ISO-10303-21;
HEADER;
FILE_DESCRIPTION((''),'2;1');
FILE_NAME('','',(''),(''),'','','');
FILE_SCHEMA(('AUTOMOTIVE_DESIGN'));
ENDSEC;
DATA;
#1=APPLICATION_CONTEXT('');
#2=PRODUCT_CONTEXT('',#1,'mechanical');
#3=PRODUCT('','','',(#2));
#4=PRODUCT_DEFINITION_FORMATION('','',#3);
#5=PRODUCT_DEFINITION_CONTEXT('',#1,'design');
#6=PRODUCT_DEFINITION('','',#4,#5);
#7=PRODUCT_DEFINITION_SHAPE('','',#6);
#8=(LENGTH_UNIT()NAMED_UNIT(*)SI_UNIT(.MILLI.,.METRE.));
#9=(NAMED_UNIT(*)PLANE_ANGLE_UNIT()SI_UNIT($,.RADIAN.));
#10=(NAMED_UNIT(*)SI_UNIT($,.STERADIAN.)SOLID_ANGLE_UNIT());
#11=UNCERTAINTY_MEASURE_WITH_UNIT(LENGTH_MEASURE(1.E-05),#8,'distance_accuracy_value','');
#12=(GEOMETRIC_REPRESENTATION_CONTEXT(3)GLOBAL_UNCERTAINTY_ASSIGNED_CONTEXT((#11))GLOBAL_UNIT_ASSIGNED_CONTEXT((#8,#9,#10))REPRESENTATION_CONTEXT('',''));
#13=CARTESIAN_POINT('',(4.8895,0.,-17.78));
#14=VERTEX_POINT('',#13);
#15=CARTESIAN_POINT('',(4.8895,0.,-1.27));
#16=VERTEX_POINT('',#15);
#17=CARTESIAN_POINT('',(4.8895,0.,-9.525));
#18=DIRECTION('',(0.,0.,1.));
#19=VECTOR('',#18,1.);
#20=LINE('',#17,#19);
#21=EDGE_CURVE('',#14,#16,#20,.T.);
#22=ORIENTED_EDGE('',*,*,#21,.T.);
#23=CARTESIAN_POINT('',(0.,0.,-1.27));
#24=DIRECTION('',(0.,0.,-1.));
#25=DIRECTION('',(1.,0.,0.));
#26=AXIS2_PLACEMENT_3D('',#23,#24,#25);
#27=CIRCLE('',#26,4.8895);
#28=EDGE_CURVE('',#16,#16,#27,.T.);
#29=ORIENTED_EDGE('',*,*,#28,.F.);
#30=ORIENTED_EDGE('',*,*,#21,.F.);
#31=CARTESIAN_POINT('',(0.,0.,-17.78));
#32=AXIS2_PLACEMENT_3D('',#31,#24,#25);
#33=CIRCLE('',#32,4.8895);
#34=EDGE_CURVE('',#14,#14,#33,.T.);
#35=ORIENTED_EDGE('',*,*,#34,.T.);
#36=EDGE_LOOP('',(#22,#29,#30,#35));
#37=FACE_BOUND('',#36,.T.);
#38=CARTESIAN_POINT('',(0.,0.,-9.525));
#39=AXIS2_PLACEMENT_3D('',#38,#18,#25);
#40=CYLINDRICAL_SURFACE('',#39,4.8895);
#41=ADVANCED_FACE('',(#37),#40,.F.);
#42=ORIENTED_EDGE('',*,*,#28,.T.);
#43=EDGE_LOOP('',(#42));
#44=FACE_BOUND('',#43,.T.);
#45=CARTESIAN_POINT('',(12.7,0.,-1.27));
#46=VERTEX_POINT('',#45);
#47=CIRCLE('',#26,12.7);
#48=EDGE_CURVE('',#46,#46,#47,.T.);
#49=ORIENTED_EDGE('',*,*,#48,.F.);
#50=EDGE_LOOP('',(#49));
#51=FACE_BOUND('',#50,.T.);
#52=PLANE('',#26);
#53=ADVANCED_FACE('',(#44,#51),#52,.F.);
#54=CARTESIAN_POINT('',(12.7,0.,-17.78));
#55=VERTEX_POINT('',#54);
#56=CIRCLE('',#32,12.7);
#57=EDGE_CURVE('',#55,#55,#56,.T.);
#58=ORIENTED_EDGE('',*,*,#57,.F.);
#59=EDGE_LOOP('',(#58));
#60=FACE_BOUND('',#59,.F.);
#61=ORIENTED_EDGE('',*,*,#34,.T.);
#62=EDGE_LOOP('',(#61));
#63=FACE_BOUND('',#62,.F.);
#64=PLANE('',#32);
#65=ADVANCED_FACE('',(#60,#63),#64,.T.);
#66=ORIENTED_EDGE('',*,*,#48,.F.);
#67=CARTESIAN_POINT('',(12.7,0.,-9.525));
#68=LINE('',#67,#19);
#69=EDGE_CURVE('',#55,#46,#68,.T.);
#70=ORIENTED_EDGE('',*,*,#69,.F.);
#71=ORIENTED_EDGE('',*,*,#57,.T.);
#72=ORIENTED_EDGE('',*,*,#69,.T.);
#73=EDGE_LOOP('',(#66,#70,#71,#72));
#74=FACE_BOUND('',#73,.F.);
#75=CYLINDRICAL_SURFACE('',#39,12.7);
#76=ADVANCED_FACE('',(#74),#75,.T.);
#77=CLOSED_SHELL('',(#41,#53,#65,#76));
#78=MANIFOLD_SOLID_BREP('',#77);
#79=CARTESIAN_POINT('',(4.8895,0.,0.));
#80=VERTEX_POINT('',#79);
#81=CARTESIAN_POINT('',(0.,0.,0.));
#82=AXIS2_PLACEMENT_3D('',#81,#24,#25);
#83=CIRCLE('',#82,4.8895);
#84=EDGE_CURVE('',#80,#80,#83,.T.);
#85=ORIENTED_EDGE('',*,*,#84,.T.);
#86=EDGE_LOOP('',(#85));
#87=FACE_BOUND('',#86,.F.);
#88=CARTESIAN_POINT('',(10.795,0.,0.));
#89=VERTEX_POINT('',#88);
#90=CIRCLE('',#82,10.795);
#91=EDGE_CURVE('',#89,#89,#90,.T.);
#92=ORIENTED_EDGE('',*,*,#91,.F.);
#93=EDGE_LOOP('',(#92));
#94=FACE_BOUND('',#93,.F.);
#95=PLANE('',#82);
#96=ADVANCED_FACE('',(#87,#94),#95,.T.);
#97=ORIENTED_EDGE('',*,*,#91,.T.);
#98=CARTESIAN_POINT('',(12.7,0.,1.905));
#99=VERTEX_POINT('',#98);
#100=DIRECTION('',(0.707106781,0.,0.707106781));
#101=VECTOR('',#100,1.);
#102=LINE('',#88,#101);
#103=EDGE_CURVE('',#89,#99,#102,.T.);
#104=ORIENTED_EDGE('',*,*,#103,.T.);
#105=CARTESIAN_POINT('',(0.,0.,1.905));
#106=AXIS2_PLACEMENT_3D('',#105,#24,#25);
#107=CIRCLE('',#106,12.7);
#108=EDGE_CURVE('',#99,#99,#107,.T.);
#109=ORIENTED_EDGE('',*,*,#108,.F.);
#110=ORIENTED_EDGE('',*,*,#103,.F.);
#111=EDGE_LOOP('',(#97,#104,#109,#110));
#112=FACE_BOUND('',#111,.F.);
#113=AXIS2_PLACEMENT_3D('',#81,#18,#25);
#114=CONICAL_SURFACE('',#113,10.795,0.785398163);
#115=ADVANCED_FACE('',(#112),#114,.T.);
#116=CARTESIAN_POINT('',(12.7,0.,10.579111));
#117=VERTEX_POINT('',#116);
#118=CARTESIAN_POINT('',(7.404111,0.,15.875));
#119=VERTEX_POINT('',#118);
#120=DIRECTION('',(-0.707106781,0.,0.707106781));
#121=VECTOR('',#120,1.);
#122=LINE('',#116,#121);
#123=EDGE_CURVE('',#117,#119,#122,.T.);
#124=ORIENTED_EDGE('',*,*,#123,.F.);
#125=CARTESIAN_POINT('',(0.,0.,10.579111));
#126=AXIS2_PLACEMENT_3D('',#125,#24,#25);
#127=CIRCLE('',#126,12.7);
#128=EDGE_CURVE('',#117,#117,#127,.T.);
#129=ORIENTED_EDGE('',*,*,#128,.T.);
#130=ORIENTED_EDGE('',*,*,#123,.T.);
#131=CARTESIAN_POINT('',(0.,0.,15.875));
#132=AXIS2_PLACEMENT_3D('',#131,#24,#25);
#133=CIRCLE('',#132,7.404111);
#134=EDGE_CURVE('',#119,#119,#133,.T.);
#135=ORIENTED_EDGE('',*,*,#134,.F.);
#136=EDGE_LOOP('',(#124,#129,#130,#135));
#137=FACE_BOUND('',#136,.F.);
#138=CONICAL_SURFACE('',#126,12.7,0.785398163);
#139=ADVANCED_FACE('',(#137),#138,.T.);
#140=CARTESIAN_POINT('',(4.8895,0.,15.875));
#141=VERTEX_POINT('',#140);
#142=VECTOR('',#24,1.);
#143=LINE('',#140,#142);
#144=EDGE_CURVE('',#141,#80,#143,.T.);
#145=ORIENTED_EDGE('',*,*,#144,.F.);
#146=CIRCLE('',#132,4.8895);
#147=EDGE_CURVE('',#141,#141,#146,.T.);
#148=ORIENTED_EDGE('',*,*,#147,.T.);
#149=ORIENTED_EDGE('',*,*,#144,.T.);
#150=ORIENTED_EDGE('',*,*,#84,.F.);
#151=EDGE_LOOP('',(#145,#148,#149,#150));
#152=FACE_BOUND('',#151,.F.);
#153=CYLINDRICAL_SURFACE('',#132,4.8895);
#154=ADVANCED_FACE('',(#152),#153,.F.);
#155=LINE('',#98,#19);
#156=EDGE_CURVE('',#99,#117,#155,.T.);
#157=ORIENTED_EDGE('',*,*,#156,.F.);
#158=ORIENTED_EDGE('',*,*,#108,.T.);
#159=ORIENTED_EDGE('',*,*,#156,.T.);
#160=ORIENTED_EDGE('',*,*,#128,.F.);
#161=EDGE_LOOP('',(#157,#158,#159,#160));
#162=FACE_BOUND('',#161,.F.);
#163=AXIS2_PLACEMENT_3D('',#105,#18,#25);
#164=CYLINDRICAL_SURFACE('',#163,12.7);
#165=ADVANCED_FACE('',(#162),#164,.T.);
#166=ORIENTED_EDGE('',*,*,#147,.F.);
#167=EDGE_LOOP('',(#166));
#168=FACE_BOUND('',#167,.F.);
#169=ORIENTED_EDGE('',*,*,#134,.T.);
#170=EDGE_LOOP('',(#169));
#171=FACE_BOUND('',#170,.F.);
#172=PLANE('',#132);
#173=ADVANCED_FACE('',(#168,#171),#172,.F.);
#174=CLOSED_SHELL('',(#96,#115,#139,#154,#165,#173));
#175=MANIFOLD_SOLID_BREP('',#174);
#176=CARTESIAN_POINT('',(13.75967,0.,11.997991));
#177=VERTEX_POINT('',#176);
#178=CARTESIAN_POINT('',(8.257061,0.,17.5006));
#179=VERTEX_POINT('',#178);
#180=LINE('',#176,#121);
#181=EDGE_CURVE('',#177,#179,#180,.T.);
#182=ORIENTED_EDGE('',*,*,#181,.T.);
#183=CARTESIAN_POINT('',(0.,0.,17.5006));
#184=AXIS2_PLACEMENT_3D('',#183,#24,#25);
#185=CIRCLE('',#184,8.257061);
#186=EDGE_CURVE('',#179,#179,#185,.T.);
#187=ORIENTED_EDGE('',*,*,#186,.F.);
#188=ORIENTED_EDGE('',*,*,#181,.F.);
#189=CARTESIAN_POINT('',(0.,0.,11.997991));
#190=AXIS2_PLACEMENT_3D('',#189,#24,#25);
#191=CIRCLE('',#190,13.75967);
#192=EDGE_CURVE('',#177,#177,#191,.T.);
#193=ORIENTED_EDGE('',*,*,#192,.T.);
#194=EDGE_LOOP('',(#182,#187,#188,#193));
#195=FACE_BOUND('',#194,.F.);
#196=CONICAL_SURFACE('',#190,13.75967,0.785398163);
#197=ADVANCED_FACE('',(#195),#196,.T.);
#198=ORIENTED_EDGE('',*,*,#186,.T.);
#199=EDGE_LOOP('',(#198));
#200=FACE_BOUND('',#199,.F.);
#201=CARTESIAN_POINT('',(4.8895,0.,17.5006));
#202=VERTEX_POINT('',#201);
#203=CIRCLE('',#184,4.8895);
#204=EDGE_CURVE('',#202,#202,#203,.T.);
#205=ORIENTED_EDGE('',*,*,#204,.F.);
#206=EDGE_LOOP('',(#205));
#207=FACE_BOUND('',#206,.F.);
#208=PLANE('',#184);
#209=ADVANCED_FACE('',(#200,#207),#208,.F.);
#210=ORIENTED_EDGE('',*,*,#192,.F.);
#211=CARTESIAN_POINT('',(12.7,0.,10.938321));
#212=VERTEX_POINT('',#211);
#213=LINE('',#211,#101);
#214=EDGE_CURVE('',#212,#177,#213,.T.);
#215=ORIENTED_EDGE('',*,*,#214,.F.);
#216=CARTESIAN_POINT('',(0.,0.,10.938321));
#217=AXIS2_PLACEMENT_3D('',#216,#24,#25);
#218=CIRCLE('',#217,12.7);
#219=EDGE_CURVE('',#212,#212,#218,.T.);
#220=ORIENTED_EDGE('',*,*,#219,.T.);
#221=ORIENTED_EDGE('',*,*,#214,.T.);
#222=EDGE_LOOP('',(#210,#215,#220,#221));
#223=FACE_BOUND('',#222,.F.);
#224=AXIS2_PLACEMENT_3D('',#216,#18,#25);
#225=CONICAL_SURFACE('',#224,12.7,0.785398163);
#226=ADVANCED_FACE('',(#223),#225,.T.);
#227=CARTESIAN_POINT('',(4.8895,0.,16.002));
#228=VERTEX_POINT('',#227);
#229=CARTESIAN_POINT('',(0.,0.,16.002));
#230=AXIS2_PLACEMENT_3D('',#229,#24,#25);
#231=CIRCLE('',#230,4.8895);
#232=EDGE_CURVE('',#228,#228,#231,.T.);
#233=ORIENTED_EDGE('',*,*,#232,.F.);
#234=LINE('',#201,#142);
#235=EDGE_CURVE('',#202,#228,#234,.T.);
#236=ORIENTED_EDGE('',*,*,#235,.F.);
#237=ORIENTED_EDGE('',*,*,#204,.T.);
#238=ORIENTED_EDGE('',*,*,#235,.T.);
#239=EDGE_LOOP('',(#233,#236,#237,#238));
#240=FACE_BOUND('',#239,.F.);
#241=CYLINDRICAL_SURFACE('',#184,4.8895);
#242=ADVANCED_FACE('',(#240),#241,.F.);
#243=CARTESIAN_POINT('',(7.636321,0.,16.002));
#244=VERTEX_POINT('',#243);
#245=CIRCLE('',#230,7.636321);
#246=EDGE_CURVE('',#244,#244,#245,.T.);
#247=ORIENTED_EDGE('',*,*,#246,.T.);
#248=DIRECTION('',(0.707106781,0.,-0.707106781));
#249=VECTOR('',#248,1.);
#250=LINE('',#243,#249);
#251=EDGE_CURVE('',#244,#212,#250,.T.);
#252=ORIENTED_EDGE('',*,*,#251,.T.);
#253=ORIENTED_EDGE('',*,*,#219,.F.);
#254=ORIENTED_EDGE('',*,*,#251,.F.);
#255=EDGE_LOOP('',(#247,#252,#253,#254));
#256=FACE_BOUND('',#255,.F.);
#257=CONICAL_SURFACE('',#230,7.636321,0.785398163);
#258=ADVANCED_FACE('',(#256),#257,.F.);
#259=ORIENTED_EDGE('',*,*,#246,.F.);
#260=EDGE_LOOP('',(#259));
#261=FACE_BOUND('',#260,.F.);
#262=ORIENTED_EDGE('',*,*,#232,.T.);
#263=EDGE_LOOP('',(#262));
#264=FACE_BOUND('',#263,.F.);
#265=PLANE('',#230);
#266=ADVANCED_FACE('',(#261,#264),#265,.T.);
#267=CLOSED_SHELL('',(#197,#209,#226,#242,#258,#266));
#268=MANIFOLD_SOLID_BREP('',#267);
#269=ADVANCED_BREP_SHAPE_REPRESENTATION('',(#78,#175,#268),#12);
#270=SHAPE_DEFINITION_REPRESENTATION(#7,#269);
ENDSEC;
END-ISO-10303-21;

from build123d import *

# Parameters (mm, degrees)
F0_W = 7.8105
F0_H = 16.51


with BuildPart() as f1:
    # F0 (on Front) → F1 (revolve)
    with BuildSketch(Plane.XZ):
        with Locations((8.79475, -9.525)):
            Rectangle(F0_W, F0_H)
        Polygon((4.8895, 0), (10.795, 0), (12.7, 1.905), (12.7, 10.579111), (7.404111, 15.875), (4.8895, 15.875), align=None)
        Polygon((7.636321, 16.002), (12.7, 10.938321), (13.75967, 11.997991), (8.257061, 17.5006), (4.8895, 17.5006), (4.8895, 16.002), align=None)
    revolve(axis=Axis((0, 0, -6.006607), (0, 0, -1)))


solid = f1.part
